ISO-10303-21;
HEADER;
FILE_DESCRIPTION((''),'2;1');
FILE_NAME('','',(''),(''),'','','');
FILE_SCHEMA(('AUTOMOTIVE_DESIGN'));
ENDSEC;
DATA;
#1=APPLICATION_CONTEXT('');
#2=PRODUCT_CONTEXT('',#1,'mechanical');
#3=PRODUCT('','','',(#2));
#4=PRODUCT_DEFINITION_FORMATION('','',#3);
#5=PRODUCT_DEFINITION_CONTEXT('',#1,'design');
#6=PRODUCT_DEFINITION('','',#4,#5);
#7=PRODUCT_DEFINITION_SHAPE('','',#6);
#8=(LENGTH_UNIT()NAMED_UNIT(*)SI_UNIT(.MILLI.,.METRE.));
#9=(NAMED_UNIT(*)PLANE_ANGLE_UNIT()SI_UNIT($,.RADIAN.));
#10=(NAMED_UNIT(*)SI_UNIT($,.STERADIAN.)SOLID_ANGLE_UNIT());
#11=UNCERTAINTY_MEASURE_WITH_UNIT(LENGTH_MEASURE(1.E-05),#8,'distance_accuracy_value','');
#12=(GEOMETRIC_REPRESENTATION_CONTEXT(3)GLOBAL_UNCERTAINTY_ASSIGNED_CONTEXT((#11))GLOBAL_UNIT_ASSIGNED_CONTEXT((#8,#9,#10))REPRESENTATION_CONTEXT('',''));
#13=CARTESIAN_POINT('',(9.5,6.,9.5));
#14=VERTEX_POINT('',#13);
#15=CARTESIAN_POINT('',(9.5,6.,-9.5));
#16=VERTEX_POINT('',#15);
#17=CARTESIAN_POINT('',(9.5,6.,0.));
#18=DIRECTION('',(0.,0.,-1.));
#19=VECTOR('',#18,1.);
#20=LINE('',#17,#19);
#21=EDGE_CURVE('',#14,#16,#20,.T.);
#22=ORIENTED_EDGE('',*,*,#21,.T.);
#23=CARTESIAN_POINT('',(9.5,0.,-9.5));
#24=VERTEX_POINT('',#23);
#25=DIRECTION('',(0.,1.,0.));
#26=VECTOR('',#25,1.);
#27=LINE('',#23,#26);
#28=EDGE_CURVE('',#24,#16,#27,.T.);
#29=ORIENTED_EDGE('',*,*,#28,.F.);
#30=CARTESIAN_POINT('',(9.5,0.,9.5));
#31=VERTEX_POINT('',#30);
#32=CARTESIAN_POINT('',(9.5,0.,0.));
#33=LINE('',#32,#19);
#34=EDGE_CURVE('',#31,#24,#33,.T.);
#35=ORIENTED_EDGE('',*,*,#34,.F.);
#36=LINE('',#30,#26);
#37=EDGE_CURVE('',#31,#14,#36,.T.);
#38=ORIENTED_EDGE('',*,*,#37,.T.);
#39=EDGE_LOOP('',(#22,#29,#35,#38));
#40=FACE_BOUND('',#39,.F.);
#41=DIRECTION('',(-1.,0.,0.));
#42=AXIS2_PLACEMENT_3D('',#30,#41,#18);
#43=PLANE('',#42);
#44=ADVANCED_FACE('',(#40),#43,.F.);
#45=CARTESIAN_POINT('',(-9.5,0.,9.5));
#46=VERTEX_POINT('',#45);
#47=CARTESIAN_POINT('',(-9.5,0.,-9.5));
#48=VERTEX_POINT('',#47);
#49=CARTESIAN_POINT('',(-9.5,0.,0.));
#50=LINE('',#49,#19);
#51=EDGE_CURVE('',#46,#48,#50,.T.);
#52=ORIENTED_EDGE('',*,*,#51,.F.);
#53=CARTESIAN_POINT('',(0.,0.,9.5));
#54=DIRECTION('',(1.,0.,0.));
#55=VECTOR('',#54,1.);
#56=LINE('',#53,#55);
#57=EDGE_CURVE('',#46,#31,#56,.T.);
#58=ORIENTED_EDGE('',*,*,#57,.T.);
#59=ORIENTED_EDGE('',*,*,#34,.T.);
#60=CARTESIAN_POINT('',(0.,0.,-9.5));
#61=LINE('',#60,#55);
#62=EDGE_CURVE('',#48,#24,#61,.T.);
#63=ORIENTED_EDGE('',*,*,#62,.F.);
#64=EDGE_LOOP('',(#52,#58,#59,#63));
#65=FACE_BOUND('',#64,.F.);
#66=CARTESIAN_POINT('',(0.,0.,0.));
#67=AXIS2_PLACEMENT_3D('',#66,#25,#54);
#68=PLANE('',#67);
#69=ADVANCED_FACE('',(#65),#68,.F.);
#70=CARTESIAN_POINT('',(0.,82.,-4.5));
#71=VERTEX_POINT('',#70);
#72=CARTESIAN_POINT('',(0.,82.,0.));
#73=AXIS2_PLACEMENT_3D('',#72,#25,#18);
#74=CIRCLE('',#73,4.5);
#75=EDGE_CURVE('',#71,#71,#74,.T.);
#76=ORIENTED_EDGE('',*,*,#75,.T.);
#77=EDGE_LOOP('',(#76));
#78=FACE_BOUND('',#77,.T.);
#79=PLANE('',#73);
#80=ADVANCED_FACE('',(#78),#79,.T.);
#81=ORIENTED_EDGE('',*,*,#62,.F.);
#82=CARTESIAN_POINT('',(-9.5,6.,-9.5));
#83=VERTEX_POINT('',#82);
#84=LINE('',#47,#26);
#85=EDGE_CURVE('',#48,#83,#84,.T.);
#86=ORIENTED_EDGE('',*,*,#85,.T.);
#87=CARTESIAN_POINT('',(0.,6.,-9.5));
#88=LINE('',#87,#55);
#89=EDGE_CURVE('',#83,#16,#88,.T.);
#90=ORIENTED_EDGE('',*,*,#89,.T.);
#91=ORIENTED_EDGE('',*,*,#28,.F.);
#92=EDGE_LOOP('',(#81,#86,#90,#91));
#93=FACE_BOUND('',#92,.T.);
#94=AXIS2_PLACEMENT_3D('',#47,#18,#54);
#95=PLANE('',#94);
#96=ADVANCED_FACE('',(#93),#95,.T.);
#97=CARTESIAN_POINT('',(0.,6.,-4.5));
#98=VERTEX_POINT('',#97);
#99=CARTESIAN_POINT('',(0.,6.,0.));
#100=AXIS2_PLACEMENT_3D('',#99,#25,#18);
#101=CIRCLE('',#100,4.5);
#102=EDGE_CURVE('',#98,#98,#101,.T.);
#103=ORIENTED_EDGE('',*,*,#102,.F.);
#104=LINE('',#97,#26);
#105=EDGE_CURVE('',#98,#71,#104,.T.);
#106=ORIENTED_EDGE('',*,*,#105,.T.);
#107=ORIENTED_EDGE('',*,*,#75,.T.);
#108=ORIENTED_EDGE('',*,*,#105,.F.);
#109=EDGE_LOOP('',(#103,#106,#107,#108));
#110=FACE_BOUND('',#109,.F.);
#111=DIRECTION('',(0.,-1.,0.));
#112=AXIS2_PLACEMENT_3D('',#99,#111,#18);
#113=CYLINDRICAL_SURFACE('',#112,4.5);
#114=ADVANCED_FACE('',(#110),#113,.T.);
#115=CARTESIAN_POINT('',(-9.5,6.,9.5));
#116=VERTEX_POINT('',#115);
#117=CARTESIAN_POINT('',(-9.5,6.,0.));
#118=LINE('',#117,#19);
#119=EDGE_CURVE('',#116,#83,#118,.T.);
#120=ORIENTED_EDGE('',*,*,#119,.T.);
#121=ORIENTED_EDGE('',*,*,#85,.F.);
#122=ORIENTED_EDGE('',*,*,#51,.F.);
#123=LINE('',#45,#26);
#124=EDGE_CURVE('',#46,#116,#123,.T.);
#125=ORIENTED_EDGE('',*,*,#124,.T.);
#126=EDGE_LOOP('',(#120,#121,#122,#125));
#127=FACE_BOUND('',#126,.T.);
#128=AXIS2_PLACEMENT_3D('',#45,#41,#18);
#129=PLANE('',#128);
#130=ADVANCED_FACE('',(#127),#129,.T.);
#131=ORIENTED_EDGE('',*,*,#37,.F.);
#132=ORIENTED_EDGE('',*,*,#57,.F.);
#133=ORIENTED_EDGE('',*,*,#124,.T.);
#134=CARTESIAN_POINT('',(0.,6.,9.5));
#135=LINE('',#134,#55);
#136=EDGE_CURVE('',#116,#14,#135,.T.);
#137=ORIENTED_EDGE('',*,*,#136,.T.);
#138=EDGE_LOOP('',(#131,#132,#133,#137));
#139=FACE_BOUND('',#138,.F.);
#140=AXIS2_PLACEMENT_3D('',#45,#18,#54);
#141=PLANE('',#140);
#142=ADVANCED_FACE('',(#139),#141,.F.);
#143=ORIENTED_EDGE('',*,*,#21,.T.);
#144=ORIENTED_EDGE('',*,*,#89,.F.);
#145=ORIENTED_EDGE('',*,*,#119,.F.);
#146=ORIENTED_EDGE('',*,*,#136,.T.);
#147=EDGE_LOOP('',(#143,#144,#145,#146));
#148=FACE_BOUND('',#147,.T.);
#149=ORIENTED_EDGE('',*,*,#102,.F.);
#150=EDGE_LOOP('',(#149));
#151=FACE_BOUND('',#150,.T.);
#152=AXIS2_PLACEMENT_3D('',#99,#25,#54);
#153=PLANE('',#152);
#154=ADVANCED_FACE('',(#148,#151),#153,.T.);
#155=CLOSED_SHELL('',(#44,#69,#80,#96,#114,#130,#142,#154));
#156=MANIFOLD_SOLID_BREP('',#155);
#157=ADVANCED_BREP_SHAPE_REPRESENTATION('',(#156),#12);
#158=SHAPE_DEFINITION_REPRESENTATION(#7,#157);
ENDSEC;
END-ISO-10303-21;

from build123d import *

# Parameters (mm, degrees)
SKETCH1_W           = 19
SKETCH1_H           = 19
BOSS_EXTRUDE1_DEPTH = 6
SKETCH2_R           = 4.5
BOSS_EXTRUDE2_DEPTH = 76


with BuildPart() as part:
    # Sketch1 → Boss-Extrude1 (new body)
    with BuildSketch(Plane(origin=(0, 0, 0), x_dir=(1, 0, 0), z_dir=(0, 1, 0))):
        Rectangle(SKETCH1_W, SKETCH1_H)
    extrude(amount=BOSS_EXTRUDE1_DEPTH)

    # Sketch2 → Boss-Extrude2 (add)
    with BuildSketch(Plane(origin=(0, 6, 0), x_dir=(1, 0, 0), z_dir=(0, 1, 0))):
        with Locations(Location((0, 0, 0), (0, 0, 90))):  # turned: the seam where the file's is
            Circle(SKETCH2_R)
    extrude(amount=BOSS_EXTRUDE2_DEPTH)


solid = part.part
